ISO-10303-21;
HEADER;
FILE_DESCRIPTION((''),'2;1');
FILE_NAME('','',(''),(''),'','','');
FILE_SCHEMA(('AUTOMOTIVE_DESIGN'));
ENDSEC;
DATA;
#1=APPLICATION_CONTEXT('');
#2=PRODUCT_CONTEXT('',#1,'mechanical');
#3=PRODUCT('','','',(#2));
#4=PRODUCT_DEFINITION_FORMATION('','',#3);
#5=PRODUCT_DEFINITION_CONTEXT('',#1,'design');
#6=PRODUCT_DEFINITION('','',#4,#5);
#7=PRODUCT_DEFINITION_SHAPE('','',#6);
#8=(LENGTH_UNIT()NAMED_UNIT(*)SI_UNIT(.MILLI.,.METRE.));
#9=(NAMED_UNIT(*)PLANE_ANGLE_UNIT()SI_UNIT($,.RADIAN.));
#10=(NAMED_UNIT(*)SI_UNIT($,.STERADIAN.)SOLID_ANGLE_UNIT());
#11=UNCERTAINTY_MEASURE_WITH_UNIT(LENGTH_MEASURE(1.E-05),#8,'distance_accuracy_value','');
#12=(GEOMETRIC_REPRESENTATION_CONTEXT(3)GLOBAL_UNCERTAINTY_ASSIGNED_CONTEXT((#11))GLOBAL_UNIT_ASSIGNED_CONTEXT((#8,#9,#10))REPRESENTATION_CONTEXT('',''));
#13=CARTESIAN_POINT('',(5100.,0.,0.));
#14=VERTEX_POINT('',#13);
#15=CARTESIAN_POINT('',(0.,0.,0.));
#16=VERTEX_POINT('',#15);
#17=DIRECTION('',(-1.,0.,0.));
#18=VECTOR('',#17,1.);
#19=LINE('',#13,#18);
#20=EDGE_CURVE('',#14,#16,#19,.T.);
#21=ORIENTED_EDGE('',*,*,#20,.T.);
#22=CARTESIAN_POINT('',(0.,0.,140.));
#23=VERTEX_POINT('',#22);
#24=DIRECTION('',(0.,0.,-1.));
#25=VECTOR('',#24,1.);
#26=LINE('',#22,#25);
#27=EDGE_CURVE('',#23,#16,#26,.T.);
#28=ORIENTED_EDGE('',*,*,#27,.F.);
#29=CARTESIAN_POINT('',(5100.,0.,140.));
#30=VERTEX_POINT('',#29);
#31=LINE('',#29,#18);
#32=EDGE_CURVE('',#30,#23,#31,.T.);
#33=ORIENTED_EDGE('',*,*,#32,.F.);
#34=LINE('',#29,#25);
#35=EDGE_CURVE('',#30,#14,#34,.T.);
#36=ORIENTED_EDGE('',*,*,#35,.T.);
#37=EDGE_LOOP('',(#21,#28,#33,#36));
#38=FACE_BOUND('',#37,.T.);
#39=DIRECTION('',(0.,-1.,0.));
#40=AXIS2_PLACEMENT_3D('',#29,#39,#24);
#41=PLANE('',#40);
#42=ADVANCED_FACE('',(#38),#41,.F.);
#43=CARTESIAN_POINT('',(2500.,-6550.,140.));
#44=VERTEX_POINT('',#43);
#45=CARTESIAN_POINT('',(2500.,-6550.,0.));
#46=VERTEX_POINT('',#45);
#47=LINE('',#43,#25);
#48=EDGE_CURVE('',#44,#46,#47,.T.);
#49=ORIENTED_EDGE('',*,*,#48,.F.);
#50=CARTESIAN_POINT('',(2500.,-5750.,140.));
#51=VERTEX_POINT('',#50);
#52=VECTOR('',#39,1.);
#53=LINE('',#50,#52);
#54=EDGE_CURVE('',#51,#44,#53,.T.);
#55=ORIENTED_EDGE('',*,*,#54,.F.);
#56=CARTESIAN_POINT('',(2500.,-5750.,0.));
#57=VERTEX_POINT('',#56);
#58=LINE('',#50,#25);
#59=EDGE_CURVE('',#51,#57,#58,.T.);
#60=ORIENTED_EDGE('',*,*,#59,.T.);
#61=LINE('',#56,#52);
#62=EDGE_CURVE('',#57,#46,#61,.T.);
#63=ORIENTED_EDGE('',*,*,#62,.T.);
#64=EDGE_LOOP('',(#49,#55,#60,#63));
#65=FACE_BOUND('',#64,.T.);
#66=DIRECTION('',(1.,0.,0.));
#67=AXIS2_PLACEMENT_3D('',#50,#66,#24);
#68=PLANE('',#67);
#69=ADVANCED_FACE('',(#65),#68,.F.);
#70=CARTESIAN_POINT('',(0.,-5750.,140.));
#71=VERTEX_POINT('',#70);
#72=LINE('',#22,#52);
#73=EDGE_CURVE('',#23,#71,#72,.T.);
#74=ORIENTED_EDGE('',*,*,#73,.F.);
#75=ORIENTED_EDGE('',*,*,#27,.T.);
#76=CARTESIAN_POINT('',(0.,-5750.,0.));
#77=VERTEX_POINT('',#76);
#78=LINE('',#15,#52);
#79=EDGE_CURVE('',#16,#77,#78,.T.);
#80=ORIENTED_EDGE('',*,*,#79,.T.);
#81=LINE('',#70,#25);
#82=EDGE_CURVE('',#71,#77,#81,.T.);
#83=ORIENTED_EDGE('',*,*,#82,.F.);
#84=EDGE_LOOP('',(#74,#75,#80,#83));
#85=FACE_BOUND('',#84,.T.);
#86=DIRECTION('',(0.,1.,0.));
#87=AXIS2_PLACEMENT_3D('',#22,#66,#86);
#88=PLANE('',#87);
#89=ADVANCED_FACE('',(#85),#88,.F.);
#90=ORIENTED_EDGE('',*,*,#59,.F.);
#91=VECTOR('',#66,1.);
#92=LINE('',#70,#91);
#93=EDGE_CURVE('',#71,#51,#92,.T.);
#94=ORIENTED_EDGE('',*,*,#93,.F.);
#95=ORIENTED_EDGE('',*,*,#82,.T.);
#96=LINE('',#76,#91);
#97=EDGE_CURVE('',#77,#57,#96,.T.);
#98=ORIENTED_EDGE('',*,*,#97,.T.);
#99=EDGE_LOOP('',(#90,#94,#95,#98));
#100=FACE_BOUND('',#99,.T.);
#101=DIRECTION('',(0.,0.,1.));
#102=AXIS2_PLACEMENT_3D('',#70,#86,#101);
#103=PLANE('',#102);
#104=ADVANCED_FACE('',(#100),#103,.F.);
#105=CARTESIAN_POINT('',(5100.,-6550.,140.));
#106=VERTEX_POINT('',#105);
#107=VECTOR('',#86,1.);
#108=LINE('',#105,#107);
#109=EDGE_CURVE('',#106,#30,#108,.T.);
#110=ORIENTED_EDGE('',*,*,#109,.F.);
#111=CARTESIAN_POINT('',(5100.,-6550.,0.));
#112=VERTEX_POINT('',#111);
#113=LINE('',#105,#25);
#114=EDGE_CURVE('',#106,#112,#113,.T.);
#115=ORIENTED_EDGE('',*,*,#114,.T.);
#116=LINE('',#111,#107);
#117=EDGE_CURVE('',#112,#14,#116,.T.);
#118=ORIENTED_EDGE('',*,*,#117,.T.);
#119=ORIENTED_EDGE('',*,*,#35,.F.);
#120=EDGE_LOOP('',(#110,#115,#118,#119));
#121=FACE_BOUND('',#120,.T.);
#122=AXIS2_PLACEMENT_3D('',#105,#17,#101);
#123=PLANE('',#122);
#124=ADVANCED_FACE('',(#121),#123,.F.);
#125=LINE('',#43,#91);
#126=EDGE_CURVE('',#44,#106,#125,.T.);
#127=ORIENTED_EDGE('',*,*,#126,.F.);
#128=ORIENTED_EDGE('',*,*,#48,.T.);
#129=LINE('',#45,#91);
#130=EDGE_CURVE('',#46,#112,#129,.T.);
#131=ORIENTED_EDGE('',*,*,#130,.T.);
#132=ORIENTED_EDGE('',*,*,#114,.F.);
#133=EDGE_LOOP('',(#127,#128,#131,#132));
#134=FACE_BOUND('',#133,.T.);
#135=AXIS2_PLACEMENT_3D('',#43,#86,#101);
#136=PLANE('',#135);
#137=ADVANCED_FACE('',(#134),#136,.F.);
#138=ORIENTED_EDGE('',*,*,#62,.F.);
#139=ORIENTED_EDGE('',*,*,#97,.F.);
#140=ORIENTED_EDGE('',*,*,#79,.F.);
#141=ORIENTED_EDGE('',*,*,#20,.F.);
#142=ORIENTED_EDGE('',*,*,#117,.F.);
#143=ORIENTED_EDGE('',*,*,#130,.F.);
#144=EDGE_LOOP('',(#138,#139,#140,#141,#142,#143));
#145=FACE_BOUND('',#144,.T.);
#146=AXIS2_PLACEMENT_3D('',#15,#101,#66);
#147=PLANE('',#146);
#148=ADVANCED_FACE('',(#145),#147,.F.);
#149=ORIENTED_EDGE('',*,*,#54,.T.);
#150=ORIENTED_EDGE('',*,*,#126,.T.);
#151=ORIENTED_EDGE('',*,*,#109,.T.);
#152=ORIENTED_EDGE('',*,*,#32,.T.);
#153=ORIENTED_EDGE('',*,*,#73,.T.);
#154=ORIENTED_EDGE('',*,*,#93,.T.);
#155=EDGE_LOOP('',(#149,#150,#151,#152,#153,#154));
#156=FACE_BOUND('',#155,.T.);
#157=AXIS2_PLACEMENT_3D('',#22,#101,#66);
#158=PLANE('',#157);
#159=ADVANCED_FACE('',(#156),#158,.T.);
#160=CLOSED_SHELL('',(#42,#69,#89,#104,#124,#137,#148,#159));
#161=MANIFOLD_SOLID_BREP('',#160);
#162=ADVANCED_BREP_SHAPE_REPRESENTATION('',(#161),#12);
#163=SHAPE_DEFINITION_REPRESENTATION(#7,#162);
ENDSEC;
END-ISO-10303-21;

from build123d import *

# Parameters (mm, degrees)
RESSALTO_EXTRUS_O1_DEPTH = 140


with BuildPart() as part:
    # Esboço1 → Ressalto-extrusão1 (new body)
    with BuildSketch(Plane.XY):
        Polygon((0, 0), (0, -5750), (2500, -5750), (2500, -6550), (5100, -6550), (5100, 0), align=None)
    extrude(amount=RESSALTO_EXTRUS_O1_DEPTH)


solid = part.part
